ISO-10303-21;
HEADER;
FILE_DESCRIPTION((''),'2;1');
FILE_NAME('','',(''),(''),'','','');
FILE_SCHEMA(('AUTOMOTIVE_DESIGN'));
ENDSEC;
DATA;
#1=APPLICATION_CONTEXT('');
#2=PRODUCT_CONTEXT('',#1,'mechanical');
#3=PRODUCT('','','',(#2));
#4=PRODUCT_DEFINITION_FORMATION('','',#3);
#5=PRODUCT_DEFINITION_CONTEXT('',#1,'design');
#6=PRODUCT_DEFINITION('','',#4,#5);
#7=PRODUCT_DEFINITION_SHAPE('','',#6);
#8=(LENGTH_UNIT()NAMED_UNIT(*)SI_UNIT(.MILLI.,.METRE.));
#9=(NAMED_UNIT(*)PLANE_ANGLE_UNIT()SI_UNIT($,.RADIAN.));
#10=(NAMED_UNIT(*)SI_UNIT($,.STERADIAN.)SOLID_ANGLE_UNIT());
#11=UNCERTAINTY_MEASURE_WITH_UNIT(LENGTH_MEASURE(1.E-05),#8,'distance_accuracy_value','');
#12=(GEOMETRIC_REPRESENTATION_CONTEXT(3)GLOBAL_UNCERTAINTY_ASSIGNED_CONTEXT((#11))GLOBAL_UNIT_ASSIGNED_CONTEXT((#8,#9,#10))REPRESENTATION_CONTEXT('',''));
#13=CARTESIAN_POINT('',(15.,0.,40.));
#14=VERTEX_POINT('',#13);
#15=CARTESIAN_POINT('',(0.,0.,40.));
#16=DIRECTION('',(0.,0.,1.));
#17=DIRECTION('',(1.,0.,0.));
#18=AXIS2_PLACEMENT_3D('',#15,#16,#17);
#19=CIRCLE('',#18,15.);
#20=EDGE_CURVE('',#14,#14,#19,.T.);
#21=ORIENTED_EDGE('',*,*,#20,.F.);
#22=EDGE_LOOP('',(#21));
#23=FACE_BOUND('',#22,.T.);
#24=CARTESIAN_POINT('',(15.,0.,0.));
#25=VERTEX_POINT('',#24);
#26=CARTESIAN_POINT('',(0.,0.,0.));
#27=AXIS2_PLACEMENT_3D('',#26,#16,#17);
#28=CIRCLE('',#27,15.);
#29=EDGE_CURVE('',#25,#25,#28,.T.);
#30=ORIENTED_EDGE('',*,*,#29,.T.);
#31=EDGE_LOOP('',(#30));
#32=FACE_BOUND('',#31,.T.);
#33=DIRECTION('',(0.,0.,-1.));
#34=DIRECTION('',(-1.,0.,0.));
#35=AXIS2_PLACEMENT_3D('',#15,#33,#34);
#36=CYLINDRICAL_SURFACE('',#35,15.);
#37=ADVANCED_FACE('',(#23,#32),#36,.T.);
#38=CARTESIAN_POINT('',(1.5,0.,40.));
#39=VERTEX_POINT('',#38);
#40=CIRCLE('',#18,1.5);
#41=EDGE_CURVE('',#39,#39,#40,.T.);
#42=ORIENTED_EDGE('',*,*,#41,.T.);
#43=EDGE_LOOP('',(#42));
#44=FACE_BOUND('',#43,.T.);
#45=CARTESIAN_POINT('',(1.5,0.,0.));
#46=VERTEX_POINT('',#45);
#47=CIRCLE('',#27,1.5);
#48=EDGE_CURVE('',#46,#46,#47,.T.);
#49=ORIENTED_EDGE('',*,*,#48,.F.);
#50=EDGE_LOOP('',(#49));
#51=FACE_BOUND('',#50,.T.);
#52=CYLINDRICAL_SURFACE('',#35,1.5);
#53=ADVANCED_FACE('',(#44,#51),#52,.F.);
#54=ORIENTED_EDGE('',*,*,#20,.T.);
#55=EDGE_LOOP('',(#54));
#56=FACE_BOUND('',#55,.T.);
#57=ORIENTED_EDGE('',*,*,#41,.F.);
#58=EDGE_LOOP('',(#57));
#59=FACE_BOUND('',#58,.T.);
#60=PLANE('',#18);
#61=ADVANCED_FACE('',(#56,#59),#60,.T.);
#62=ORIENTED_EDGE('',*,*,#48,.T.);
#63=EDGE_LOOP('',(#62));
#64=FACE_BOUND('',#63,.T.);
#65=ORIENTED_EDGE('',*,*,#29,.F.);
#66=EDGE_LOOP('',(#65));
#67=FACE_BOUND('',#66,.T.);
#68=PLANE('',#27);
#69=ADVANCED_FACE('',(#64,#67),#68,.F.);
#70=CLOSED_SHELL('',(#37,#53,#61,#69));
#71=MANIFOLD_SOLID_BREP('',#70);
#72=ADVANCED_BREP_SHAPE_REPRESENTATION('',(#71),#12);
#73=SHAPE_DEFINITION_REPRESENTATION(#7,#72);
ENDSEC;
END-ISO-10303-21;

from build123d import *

# Parameters (mm, degrees)
CROQUIS1_R              = 15
CROQUIS1_R_2            = 1.5
SALIENTE_EXTRUIR1_DEPTH = 40


with BuildPart() as part:
    # Croquis1 → Saliente-Extruir1 (new body)
    with BuildSketch(Plane.XY):
        Circle(CROQUIS1_R)
        Circle(CROQUIS1_R_2, mode=Mode.SUBTRACT)
    extrude(amount=SALIENTE_EXTRUIR1_DEPTH)


solid = part.part
